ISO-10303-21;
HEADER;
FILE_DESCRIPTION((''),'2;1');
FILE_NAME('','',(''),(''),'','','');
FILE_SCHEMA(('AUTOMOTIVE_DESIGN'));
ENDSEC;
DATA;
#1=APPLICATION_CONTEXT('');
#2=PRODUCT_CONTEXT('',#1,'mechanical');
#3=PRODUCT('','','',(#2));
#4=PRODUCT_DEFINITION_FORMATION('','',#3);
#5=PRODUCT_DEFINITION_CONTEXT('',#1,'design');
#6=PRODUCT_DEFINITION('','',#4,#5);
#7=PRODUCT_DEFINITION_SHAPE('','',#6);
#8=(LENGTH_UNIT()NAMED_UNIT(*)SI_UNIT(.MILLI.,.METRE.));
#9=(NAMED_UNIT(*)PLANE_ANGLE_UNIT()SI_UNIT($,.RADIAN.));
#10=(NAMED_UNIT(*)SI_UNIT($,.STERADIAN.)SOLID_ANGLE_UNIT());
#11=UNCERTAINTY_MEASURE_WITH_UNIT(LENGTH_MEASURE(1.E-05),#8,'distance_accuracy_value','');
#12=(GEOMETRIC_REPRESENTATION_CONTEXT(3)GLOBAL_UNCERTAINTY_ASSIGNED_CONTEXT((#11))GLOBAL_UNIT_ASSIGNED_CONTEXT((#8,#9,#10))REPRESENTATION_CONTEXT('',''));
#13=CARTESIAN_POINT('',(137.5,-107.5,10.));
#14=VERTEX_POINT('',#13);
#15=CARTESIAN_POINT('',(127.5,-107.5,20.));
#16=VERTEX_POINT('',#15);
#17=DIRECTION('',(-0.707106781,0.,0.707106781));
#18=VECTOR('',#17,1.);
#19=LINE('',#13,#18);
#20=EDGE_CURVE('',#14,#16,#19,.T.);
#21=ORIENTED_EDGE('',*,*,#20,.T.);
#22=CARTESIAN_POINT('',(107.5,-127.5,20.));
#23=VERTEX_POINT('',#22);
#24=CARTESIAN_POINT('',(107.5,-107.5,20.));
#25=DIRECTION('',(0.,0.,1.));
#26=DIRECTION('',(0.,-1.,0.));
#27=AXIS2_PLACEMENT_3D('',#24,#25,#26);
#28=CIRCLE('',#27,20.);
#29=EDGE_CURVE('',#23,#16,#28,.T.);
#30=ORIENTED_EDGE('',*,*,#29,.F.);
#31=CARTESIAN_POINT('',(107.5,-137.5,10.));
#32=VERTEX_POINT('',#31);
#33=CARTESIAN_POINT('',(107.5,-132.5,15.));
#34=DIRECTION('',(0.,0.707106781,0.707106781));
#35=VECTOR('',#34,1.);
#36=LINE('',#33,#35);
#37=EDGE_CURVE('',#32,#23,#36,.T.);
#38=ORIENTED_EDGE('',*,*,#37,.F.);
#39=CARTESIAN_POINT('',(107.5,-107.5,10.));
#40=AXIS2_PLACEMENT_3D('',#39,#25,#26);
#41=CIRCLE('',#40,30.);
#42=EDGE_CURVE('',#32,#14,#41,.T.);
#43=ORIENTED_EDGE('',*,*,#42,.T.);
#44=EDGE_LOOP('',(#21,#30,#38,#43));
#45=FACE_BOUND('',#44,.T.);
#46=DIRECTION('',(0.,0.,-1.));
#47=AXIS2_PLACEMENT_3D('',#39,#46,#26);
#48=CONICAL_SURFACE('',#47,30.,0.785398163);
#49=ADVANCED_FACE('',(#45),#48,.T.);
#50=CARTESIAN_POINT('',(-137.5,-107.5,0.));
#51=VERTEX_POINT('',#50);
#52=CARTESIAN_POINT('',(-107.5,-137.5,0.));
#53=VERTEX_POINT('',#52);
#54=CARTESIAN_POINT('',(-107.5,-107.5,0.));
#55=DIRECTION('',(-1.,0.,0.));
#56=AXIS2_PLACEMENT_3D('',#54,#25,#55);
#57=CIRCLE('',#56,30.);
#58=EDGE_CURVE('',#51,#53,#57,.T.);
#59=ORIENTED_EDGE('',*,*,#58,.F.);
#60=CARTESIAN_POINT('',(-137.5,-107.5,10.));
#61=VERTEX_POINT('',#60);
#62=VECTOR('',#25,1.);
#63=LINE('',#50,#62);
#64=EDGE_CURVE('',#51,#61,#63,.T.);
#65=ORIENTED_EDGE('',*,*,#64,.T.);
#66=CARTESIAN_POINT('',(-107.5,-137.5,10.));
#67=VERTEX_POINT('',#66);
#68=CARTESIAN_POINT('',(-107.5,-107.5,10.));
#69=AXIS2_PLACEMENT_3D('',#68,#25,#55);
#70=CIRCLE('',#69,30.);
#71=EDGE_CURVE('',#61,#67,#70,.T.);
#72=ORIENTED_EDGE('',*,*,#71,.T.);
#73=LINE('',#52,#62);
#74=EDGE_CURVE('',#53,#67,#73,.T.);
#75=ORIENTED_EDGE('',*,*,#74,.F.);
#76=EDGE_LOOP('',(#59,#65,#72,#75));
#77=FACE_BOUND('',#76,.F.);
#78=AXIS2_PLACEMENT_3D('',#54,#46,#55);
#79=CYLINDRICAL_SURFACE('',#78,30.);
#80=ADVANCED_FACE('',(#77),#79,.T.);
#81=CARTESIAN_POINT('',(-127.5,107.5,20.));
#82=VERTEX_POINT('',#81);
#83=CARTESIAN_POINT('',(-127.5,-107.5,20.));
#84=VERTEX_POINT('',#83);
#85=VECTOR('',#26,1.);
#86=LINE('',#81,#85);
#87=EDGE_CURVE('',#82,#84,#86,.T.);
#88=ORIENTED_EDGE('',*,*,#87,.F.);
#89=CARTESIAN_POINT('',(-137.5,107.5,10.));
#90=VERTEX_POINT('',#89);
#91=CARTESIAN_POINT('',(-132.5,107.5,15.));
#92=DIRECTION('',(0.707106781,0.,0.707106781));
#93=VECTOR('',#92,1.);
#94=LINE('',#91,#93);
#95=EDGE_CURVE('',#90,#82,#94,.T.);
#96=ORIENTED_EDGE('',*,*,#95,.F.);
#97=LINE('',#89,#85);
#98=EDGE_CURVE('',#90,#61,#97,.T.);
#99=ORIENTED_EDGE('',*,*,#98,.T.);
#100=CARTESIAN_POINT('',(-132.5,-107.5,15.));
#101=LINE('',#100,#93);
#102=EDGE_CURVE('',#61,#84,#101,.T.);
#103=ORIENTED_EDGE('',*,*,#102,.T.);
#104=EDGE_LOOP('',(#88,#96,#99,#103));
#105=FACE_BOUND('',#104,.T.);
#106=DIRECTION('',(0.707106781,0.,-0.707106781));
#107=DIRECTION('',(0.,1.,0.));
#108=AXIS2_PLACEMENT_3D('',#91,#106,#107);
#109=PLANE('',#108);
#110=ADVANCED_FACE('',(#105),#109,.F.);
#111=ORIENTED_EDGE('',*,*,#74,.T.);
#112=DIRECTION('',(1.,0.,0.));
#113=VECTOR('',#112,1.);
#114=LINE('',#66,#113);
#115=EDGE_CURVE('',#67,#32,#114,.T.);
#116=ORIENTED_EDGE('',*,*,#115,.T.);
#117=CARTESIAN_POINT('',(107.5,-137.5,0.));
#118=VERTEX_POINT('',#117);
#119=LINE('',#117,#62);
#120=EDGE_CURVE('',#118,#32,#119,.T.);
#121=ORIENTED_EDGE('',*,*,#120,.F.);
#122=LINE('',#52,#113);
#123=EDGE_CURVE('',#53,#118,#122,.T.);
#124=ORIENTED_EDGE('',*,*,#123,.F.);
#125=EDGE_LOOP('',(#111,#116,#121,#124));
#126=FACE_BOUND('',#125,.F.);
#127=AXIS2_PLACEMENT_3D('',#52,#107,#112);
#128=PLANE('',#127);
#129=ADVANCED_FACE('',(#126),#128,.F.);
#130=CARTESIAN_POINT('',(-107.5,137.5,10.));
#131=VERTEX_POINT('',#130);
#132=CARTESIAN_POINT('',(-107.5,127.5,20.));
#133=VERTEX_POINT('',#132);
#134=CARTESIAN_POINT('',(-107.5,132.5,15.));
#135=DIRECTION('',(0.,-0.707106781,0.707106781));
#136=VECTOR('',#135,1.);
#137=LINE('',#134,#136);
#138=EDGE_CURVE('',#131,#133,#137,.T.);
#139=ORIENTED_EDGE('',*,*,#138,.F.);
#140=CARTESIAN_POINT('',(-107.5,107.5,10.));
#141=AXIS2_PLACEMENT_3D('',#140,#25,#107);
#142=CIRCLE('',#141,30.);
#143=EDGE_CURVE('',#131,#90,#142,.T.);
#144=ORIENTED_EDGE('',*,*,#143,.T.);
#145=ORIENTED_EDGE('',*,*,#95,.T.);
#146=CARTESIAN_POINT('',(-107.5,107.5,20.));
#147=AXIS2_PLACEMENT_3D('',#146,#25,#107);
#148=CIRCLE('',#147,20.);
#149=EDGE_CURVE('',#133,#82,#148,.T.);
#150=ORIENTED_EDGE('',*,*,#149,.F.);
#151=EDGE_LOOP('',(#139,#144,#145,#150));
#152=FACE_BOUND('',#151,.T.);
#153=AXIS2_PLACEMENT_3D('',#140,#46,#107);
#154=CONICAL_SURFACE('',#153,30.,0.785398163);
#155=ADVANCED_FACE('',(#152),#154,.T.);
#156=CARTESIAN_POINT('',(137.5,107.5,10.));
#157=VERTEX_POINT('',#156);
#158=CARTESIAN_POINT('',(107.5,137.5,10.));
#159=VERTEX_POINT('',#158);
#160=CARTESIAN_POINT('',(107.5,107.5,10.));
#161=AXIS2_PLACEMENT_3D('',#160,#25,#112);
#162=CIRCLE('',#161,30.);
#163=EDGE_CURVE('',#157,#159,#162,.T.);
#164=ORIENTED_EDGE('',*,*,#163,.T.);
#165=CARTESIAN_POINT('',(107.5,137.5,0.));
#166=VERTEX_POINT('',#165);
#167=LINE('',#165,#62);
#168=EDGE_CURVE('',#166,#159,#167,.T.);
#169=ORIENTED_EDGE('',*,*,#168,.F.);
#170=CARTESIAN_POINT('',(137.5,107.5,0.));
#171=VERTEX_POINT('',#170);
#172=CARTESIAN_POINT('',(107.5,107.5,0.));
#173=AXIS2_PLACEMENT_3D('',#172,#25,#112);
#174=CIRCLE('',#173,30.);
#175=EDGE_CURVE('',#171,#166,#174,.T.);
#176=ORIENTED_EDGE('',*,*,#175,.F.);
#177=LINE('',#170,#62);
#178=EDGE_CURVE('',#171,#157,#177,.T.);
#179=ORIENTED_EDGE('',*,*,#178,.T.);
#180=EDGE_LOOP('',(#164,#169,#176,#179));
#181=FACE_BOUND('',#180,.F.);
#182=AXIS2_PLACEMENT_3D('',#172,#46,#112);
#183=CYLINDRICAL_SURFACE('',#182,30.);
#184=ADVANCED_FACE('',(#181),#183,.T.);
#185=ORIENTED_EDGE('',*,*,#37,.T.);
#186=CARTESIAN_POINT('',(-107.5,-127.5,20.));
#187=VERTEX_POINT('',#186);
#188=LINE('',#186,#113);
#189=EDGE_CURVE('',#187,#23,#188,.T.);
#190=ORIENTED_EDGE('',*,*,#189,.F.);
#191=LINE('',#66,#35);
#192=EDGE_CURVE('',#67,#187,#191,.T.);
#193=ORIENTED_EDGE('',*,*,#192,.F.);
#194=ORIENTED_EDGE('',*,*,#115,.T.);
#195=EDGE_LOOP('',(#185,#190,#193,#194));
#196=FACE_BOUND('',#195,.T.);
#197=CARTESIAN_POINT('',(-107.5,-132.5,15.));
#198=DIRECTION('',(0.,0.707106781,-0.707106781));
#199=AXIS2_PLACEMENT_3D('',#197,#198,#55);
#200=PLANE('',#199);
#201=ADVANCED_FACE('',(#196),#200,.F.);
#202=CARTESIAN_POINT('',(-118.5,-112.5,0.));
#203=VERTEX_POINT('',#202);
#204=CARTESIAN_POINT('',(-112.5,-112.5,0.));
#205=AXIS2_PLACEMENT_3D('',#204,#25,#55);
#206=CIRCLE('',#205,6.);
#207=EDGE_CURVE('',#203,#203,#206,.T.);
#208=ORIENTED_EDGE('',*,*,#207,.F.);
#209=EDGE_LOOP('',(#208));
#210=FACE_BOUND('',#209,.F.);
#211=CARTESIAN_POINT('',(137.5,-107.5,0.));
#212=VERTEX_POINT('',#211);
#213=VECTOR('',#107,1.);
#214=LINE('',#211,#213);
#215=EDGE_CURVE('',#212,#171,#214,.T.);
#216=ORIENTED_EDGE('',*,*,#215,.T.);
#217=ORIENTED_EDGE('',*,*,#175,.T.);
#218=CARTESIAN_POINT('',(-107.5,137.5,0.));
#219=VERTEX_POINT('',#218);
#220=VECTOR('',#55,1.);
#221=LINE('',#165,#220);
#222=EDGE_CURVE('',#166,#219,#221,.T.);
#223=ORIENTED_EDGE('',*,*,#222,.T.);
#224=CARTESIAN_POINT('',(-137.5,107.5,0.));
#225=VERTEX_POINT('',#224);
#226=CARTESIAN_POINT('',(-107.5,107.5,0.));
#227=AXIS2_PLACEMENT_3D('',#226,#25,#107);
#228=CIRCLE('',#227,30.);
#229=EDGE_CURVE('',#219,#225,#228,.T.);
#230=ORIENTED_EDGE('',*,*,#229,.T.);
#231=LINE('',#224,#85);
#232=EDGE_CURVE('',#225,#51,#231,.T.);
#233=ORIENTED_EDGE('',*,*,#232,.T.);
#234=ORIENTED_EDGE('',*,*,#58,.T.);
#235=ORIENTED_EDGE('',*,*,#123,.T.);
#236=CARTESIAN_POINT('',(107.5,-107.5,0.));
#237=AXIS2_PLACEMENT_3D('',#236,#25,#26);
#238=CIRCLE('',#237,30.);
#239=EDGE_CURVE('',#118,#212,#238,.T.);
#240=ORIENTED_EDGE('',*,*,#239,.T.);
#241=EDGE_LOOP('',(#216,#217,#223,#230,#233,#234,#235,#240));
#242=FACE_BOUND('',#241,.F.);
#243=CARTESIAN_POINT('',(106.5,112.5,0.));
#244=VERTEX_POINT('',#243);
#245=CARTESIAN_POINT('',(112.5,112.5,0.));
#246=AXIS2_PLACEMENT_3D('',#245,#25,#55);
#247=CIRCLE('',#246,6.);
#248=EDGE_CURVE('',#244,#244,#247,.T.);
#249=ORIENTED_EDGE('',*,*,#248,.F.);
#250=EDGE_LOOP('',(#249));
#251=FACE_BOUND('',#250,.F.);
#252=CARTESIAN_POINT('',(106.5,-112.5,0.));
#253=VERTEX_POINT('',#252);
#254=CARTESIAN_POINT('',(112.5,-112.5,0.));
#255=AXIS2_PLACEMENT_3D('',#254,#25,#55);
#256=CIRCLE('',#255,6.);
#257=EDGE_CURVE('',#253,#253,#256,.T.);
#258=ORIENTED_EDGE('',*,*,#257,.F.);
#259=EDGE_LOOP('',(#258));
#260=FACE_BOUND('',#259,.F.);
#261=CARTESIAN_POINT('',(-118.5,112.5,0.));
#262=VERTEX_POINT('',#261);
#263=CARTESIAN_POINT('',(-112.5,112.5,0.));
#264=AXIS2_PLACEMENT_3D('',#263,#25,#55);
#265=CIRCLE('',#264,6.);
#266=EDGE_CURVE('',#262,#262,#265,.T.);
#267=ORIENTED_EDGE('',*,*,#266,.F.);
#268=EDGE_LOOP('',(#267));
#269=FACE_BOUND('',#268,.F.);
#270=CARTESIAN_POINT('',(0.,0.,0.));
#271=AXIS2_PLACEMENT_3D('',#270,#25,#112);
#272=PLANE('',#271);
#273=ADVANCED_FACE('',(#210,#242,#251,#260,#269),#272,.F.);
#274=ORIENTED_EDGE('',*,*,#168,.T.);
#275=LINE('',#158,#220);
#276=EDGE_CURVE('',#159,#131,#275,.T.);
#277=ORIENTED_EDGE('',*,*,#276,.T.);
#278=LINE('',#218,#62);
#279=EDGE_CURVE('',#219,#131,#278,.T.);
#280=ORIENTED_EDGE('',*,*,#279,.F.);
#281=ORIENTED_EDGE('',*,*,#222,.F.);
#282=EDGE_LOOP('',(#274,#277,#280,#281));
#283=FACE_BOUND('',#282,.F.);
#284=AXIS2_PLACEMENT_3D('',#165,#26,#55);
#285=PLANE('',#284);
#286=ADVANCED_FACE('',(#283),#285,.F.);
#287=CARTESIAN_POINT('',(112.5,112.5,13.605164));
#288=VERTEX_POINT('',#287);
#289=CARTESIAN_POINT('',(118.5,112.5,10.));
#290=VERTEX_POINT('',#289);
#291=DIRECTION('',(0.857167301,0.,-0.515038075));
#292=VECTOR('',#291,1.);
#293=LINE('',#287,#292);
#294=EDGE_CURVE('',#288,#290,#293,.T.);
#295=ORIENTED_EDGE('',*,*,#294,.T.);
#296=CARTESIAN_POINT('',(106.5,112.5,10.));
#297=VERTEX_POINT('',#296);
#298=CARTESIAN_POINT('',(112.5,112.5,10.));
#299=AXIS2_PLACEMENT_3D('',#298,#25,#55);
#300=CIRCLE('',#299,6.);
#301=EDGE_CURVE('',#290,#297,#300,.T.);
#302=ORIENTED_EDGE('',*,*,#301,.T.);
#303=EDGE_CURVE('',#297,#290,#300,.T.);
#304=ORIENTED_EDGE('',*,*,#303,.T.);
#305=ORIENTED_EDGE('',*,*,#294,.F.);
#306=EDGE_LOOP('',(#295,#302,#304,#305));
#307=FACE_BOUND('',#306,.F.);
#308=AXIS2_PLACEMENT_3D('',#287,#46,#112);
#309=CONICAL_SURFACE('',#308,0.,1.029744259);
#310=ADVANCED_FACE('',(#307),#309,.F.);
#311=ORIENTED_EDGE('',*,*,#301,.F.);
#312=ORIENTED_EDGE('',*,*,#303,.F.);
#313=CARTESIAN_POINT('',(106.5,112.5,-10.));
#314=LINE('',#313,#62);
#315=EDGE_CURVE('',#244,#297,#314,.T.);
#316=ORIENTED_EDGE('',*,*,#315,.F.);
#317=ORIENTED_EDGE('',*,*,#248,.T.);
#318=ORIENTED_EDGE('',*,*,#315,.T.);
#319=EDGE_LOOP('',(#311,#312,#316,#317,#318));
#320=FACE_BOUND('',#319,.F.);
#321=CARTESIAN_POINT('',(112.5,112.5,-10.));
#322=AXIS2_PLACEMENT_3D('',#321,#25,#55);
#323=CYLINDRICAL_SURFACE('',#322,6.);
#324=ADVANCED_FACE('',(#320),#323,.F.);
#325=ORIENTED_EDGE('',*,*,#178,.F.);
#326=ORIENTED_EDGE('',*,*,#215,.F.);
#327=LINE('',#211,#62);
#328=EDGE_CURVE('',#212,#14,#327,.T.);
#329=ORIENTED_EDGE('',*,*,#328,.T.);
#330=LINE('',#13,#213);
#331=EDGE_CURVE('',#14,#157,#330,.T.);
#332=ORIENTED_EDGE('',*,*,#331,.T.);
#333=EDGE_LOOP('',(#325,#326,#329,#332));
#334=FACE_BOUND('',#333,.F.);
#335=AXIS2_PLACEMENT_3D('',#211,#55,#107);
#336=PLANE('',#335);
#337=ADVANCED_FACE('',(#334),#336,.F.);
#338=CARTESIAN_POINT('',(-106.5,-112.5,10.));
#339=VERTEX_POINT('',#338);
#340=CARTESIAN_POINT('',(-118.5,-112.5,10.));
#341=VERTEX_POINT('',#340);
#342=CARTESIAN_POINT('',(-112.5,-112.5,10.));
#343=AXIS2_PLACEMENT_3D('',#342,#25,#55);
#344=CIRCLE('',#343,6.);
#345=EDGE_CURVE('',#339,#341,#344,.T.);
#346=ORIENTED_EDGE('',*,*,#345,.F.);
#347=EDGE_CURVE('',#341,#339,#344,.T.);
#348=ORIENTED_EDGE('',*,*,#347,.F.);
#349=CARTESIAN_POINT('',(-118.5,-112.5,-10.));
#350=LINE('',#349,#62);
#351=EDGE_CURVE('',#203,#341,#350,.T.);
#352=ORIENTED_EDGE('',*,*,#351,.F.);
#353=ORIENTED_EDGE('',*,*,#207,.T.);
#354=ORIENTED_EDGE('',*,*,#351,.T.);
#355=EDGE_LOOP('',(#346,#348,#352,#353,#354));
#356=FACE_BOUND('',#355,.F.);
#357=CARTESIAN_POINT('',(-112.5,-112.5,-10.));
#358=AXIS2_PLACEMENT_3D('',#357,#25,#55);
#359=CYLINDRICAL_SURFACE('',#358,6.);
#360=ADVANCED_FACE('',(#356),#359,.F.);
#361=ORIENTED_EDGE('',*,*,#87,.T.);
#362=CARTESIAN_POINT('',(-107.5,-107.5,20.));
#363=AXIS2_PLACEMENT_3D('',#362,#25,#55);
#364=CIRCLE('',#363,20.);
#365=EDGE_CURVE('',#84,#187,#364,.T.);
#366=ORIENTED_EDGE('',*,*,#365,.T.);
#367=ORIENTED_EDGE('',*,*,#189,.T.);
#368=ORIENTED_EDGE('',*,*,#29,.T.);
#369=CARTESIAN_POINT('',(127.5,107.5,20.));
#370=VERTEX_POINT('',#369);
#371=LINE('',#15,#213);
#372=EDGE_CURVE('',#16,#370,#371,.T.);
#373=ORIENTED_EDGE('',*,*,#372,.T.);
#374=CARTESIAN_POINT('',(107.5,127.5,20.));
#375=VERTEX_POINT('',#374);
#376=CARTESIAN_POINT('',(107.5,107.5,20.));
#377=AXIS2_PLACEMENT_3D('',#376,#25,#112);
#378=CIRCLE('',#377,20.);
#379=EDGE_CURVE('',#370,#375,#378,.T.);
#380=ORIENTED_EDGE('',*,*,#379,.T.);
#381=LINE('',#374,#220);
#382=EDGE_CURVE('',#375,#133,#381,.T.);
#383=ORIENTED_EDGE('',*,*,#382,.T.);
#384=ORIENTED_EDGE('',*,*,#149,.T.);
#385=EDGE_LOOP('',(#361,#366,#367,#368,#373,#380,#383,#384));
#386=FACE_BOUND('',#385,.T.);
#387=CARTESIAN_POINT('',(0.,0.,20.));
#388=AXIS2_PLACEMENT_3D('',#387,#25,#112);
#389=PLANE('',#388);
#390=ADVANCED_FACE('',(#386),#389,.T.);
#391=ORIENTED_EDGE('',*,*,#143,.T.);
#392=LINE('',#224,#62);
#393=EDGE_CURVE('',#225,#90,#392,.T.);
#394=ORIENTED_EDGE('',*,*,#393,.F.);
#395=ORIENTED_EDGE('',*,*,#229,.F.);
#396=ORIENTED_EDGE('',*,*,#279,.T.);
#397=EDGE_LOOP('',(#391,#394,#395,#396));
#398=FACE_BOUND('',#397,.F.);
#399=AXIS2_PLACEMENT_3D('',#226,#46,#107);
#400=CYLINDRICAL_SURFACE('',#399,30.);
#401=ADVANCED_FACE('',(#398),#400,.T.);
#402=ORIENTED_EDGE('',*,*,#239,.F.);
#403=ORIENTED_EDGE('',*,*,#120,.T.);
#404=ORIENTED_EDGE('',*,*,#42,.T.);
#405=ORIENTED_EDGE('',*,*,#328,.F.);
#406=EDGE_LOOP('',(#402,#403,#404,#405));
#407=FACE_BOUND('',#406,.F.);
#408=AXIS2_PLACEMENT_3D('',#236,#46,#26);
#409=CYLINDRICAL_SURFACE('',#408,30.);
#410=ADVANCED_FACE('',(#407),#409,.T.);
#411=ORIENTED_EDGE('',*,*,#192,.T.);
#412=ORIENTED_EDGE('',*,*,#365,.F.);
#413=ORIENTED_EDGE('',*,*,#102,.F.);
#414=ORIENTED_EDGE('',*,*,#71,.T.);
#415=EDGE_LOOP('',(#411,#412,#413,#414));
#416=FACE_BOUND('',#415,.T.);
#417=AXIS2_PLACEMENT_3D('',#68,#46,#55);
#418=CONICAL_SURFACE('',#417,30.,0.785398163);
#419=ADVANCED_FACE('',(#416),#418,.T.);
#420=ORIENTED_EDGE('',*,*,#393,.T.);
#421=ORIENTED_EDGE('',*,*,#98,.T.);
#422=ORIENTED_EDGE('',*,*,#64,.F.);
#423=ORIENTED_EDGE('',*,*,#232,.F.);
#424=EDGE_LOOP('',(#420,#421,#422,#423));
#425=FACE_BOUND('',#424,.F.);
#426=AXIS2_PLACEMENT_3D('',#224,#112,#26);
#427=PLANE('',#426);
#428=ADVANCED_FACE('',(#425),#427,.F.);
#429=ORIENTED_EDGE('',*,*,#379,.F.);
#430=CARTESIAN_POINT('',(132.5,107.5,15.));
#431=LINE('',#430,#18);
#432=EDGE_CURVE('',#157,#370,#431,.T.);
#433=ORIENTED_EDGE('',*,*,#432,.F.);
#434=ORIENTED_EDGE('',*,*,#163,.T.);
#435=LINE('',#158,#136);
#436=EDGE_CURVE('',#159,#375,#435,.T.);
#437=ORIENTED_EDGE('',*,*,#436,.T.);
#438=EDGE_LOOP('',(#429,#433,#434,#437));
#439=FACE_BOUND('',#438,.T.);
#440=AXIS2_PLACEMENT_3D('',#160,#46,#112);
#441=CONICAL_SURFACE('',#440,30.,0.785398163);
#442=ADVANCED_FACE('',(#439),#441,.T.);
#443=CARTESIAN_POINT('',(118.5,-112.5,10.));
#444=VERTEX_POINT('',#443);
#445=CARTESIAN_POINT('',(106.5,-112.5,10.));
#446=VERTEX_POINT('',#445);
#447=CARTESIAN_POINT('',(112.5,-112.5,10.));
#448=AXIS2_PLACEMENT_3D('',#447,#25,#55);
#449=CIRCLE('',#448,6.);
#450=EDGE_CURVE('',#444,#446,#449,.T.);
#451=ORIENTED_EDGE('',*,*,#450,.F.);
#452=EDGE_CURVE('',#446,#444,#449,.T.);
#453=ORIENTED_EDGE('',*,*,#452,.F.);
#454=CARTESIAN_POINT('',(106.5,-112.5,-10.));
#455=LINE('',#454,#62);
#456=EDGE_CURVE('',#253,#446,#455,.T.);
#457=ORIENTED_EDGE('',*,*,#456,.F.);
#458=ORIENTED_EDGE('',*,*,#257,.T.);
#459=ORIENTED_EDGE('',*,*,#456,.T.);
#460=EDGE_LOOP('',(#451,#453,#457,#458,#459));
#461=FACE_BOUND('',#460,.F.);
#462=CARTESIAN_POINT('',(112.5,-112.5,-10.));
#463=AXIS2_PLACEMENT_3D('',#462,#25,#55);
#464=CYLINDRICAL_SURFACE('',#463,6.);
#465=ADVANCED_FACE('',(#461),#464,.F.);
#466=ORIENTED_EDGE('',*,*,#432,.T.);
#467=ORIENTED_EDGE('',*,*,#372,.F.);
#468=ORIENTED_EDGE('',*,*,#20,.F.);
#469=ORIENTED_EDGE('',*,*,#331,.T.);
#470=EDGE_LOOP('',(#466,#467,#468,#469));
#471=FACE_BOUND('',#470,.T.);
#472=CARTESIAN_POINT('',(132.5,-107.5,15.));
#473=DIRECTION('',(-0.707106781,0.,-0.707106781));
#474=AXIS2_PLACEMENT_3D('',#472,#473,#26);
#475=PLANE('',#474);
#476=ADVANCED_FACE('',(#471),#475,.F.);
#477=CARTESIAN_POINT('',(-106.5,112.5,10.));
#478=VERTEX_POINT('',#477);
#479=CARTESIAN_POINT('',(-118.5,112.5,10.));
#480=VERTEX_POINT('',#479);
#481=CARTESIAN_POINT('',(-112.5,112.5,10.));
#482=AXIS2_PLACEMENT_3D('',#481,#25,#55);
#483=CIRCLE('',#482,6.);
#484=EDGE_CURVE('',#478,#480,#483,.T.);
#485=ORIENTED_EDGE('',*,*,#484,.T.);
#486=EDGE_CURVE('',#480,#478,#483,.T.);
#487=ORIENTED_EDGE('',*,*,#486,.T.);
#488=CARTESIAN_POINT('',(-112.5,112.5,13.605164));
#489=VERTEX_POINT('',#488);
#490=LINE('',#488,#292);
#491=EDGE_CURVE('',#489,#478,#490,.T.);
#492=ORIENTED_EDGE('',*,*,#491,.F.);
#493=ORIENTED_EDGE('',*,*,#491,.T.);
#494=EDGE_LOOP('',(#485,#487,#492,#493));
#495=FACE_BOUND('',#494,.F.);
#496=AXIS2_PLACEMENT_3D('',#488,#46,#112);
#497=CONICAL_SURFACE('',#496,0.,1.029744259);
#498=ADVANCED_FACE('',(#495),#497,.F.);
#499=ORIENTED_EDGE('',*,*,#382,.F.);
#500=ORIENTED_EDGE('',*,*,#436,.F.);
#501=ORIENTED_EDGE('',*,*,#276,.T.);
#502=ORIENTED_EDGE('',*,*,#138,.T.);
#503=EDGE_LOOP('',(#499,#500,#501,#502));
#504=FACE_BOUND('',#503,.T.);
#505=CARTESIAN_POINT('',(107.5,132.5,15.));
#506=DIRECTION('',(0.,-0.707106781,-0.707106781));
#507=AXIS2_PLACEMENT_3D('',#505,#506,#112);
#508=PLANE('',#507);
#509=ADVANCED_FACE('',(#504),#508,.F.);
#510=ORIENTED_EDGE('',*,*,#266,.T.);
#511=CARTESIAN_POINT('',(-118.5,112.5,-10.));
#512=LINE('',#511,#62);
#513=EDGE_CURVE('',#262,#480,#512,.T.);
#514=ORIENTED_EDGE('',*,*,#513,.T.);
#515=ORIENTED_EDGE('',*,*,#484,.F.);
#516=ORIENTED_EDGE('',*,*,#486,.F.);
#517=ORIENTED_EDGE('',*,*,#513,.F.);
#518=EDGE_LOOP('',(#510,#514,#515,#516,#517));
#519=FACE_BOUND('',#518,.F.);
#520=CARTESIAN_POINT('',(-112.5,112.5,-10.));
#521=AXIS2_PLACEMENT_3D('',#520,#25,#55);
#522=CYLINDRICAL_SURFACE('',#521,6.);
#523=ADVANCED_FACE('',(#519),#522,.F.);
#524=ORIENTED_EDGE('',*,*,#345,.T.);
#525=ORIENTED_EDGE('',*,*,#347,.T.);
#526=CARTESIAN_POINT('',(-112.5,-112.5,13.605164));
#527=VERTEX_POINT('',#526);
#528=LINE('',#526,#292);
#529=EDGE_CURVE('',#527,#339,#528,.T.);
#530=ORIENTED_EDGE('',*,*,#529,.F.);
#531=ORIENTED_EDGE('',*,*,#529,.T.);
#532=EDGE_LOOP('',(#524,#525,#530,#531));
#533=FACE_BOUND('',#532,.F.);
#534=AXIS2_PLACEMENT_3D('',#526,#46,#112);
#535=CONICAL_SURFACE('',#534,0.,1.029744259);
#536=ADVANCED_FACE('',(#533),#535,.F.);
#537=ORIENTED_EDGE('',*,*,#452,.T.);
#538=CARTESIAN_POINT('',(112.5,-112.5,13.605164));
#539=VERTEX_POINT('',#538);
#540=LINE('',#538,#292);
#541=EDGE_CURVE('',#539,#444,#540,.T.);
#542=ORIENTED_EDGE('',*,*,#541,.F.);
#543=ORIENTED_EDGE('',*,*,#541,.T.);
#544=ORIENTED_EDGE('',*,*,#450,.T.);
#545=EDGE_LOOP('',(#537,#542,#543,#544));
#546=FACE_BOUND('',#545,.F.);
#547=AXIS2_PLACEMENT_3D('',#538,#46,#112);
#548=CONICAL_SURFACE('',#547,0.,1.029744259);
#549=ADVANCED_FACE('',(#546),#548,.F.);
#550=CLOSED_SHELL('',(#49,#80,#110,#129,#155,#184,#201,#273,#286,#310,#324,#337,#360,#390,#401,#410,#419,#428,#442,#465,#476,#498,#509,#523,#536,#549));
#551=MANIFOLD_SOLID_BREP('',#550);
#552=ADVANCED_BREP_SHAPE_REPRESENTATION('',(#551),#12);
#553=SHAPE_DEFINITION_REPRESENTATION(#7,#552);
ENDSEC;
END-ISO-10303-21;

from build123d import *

# Parameters (mm, degrees)
F1_DEPTH = 20
F2_SIZE  = 10
F4_D     = 12
F4_DEPTH = 10
F4_TIP   = 3.6051637142


with BuildPart() as f1:
    # F0 (on Top) → F1 (new body)
    with BuildSketch(Plane.XY):
        with BuildLine():
            Line((107.5, 137.5), (-107.5, 137.5))
            ThreePointArc((-107.5, 137.5), (-128.7132034356, 128.7132034356), (-137.5, 107.5))
            Line((-137.5, 107.5), (-137.5, -107.5))
            ThreePointArc((-137.5, -107.5), (-128.7132034356, -128.7132034356), (-107.5, -137.5))
            Line((-107.5, -137.5), (107.5, -137.5))
            ThreePointArc((107.5, -137.5), (128.7132034356, -128.7132034356), (137.5, -107.5))
            Line((137.5, -107.5), (137.5, 107.5))
            ThreePointArc((137.5, 107.5), (128.7132034356, 128.7132034356), (107.5, 137.5))
        make_face()
    extrude(amount=F1_DEPTH)

    # F2
    f2_edges = [f1.edges().sort_by_distance(p)[0] for p in [
        (-137.5, 0, 20),
    ]]
    chamfer(f2_edges, length=F2_SIZE)

    # F4
    with Locations(Plane(origin=(0, 0, 0), x_dir=(1, 0, 0), z_dir=(0, 0, -1))):
        with Locations((-112.5, 112.5), (112.5, 112.5), (112.5, -112.5), (-112.5, -112.5)):
            Hole(F4_D / 2, depth=F4_DEPTH)
            with Locations((0, 0, -(F4_DEPTH + F4_TIP / 2))):  # 118° drill point
                Cone(0, F4_D / 2, F4_TIP, mode=Mode.SUBTRACT)


solid = f1.part
